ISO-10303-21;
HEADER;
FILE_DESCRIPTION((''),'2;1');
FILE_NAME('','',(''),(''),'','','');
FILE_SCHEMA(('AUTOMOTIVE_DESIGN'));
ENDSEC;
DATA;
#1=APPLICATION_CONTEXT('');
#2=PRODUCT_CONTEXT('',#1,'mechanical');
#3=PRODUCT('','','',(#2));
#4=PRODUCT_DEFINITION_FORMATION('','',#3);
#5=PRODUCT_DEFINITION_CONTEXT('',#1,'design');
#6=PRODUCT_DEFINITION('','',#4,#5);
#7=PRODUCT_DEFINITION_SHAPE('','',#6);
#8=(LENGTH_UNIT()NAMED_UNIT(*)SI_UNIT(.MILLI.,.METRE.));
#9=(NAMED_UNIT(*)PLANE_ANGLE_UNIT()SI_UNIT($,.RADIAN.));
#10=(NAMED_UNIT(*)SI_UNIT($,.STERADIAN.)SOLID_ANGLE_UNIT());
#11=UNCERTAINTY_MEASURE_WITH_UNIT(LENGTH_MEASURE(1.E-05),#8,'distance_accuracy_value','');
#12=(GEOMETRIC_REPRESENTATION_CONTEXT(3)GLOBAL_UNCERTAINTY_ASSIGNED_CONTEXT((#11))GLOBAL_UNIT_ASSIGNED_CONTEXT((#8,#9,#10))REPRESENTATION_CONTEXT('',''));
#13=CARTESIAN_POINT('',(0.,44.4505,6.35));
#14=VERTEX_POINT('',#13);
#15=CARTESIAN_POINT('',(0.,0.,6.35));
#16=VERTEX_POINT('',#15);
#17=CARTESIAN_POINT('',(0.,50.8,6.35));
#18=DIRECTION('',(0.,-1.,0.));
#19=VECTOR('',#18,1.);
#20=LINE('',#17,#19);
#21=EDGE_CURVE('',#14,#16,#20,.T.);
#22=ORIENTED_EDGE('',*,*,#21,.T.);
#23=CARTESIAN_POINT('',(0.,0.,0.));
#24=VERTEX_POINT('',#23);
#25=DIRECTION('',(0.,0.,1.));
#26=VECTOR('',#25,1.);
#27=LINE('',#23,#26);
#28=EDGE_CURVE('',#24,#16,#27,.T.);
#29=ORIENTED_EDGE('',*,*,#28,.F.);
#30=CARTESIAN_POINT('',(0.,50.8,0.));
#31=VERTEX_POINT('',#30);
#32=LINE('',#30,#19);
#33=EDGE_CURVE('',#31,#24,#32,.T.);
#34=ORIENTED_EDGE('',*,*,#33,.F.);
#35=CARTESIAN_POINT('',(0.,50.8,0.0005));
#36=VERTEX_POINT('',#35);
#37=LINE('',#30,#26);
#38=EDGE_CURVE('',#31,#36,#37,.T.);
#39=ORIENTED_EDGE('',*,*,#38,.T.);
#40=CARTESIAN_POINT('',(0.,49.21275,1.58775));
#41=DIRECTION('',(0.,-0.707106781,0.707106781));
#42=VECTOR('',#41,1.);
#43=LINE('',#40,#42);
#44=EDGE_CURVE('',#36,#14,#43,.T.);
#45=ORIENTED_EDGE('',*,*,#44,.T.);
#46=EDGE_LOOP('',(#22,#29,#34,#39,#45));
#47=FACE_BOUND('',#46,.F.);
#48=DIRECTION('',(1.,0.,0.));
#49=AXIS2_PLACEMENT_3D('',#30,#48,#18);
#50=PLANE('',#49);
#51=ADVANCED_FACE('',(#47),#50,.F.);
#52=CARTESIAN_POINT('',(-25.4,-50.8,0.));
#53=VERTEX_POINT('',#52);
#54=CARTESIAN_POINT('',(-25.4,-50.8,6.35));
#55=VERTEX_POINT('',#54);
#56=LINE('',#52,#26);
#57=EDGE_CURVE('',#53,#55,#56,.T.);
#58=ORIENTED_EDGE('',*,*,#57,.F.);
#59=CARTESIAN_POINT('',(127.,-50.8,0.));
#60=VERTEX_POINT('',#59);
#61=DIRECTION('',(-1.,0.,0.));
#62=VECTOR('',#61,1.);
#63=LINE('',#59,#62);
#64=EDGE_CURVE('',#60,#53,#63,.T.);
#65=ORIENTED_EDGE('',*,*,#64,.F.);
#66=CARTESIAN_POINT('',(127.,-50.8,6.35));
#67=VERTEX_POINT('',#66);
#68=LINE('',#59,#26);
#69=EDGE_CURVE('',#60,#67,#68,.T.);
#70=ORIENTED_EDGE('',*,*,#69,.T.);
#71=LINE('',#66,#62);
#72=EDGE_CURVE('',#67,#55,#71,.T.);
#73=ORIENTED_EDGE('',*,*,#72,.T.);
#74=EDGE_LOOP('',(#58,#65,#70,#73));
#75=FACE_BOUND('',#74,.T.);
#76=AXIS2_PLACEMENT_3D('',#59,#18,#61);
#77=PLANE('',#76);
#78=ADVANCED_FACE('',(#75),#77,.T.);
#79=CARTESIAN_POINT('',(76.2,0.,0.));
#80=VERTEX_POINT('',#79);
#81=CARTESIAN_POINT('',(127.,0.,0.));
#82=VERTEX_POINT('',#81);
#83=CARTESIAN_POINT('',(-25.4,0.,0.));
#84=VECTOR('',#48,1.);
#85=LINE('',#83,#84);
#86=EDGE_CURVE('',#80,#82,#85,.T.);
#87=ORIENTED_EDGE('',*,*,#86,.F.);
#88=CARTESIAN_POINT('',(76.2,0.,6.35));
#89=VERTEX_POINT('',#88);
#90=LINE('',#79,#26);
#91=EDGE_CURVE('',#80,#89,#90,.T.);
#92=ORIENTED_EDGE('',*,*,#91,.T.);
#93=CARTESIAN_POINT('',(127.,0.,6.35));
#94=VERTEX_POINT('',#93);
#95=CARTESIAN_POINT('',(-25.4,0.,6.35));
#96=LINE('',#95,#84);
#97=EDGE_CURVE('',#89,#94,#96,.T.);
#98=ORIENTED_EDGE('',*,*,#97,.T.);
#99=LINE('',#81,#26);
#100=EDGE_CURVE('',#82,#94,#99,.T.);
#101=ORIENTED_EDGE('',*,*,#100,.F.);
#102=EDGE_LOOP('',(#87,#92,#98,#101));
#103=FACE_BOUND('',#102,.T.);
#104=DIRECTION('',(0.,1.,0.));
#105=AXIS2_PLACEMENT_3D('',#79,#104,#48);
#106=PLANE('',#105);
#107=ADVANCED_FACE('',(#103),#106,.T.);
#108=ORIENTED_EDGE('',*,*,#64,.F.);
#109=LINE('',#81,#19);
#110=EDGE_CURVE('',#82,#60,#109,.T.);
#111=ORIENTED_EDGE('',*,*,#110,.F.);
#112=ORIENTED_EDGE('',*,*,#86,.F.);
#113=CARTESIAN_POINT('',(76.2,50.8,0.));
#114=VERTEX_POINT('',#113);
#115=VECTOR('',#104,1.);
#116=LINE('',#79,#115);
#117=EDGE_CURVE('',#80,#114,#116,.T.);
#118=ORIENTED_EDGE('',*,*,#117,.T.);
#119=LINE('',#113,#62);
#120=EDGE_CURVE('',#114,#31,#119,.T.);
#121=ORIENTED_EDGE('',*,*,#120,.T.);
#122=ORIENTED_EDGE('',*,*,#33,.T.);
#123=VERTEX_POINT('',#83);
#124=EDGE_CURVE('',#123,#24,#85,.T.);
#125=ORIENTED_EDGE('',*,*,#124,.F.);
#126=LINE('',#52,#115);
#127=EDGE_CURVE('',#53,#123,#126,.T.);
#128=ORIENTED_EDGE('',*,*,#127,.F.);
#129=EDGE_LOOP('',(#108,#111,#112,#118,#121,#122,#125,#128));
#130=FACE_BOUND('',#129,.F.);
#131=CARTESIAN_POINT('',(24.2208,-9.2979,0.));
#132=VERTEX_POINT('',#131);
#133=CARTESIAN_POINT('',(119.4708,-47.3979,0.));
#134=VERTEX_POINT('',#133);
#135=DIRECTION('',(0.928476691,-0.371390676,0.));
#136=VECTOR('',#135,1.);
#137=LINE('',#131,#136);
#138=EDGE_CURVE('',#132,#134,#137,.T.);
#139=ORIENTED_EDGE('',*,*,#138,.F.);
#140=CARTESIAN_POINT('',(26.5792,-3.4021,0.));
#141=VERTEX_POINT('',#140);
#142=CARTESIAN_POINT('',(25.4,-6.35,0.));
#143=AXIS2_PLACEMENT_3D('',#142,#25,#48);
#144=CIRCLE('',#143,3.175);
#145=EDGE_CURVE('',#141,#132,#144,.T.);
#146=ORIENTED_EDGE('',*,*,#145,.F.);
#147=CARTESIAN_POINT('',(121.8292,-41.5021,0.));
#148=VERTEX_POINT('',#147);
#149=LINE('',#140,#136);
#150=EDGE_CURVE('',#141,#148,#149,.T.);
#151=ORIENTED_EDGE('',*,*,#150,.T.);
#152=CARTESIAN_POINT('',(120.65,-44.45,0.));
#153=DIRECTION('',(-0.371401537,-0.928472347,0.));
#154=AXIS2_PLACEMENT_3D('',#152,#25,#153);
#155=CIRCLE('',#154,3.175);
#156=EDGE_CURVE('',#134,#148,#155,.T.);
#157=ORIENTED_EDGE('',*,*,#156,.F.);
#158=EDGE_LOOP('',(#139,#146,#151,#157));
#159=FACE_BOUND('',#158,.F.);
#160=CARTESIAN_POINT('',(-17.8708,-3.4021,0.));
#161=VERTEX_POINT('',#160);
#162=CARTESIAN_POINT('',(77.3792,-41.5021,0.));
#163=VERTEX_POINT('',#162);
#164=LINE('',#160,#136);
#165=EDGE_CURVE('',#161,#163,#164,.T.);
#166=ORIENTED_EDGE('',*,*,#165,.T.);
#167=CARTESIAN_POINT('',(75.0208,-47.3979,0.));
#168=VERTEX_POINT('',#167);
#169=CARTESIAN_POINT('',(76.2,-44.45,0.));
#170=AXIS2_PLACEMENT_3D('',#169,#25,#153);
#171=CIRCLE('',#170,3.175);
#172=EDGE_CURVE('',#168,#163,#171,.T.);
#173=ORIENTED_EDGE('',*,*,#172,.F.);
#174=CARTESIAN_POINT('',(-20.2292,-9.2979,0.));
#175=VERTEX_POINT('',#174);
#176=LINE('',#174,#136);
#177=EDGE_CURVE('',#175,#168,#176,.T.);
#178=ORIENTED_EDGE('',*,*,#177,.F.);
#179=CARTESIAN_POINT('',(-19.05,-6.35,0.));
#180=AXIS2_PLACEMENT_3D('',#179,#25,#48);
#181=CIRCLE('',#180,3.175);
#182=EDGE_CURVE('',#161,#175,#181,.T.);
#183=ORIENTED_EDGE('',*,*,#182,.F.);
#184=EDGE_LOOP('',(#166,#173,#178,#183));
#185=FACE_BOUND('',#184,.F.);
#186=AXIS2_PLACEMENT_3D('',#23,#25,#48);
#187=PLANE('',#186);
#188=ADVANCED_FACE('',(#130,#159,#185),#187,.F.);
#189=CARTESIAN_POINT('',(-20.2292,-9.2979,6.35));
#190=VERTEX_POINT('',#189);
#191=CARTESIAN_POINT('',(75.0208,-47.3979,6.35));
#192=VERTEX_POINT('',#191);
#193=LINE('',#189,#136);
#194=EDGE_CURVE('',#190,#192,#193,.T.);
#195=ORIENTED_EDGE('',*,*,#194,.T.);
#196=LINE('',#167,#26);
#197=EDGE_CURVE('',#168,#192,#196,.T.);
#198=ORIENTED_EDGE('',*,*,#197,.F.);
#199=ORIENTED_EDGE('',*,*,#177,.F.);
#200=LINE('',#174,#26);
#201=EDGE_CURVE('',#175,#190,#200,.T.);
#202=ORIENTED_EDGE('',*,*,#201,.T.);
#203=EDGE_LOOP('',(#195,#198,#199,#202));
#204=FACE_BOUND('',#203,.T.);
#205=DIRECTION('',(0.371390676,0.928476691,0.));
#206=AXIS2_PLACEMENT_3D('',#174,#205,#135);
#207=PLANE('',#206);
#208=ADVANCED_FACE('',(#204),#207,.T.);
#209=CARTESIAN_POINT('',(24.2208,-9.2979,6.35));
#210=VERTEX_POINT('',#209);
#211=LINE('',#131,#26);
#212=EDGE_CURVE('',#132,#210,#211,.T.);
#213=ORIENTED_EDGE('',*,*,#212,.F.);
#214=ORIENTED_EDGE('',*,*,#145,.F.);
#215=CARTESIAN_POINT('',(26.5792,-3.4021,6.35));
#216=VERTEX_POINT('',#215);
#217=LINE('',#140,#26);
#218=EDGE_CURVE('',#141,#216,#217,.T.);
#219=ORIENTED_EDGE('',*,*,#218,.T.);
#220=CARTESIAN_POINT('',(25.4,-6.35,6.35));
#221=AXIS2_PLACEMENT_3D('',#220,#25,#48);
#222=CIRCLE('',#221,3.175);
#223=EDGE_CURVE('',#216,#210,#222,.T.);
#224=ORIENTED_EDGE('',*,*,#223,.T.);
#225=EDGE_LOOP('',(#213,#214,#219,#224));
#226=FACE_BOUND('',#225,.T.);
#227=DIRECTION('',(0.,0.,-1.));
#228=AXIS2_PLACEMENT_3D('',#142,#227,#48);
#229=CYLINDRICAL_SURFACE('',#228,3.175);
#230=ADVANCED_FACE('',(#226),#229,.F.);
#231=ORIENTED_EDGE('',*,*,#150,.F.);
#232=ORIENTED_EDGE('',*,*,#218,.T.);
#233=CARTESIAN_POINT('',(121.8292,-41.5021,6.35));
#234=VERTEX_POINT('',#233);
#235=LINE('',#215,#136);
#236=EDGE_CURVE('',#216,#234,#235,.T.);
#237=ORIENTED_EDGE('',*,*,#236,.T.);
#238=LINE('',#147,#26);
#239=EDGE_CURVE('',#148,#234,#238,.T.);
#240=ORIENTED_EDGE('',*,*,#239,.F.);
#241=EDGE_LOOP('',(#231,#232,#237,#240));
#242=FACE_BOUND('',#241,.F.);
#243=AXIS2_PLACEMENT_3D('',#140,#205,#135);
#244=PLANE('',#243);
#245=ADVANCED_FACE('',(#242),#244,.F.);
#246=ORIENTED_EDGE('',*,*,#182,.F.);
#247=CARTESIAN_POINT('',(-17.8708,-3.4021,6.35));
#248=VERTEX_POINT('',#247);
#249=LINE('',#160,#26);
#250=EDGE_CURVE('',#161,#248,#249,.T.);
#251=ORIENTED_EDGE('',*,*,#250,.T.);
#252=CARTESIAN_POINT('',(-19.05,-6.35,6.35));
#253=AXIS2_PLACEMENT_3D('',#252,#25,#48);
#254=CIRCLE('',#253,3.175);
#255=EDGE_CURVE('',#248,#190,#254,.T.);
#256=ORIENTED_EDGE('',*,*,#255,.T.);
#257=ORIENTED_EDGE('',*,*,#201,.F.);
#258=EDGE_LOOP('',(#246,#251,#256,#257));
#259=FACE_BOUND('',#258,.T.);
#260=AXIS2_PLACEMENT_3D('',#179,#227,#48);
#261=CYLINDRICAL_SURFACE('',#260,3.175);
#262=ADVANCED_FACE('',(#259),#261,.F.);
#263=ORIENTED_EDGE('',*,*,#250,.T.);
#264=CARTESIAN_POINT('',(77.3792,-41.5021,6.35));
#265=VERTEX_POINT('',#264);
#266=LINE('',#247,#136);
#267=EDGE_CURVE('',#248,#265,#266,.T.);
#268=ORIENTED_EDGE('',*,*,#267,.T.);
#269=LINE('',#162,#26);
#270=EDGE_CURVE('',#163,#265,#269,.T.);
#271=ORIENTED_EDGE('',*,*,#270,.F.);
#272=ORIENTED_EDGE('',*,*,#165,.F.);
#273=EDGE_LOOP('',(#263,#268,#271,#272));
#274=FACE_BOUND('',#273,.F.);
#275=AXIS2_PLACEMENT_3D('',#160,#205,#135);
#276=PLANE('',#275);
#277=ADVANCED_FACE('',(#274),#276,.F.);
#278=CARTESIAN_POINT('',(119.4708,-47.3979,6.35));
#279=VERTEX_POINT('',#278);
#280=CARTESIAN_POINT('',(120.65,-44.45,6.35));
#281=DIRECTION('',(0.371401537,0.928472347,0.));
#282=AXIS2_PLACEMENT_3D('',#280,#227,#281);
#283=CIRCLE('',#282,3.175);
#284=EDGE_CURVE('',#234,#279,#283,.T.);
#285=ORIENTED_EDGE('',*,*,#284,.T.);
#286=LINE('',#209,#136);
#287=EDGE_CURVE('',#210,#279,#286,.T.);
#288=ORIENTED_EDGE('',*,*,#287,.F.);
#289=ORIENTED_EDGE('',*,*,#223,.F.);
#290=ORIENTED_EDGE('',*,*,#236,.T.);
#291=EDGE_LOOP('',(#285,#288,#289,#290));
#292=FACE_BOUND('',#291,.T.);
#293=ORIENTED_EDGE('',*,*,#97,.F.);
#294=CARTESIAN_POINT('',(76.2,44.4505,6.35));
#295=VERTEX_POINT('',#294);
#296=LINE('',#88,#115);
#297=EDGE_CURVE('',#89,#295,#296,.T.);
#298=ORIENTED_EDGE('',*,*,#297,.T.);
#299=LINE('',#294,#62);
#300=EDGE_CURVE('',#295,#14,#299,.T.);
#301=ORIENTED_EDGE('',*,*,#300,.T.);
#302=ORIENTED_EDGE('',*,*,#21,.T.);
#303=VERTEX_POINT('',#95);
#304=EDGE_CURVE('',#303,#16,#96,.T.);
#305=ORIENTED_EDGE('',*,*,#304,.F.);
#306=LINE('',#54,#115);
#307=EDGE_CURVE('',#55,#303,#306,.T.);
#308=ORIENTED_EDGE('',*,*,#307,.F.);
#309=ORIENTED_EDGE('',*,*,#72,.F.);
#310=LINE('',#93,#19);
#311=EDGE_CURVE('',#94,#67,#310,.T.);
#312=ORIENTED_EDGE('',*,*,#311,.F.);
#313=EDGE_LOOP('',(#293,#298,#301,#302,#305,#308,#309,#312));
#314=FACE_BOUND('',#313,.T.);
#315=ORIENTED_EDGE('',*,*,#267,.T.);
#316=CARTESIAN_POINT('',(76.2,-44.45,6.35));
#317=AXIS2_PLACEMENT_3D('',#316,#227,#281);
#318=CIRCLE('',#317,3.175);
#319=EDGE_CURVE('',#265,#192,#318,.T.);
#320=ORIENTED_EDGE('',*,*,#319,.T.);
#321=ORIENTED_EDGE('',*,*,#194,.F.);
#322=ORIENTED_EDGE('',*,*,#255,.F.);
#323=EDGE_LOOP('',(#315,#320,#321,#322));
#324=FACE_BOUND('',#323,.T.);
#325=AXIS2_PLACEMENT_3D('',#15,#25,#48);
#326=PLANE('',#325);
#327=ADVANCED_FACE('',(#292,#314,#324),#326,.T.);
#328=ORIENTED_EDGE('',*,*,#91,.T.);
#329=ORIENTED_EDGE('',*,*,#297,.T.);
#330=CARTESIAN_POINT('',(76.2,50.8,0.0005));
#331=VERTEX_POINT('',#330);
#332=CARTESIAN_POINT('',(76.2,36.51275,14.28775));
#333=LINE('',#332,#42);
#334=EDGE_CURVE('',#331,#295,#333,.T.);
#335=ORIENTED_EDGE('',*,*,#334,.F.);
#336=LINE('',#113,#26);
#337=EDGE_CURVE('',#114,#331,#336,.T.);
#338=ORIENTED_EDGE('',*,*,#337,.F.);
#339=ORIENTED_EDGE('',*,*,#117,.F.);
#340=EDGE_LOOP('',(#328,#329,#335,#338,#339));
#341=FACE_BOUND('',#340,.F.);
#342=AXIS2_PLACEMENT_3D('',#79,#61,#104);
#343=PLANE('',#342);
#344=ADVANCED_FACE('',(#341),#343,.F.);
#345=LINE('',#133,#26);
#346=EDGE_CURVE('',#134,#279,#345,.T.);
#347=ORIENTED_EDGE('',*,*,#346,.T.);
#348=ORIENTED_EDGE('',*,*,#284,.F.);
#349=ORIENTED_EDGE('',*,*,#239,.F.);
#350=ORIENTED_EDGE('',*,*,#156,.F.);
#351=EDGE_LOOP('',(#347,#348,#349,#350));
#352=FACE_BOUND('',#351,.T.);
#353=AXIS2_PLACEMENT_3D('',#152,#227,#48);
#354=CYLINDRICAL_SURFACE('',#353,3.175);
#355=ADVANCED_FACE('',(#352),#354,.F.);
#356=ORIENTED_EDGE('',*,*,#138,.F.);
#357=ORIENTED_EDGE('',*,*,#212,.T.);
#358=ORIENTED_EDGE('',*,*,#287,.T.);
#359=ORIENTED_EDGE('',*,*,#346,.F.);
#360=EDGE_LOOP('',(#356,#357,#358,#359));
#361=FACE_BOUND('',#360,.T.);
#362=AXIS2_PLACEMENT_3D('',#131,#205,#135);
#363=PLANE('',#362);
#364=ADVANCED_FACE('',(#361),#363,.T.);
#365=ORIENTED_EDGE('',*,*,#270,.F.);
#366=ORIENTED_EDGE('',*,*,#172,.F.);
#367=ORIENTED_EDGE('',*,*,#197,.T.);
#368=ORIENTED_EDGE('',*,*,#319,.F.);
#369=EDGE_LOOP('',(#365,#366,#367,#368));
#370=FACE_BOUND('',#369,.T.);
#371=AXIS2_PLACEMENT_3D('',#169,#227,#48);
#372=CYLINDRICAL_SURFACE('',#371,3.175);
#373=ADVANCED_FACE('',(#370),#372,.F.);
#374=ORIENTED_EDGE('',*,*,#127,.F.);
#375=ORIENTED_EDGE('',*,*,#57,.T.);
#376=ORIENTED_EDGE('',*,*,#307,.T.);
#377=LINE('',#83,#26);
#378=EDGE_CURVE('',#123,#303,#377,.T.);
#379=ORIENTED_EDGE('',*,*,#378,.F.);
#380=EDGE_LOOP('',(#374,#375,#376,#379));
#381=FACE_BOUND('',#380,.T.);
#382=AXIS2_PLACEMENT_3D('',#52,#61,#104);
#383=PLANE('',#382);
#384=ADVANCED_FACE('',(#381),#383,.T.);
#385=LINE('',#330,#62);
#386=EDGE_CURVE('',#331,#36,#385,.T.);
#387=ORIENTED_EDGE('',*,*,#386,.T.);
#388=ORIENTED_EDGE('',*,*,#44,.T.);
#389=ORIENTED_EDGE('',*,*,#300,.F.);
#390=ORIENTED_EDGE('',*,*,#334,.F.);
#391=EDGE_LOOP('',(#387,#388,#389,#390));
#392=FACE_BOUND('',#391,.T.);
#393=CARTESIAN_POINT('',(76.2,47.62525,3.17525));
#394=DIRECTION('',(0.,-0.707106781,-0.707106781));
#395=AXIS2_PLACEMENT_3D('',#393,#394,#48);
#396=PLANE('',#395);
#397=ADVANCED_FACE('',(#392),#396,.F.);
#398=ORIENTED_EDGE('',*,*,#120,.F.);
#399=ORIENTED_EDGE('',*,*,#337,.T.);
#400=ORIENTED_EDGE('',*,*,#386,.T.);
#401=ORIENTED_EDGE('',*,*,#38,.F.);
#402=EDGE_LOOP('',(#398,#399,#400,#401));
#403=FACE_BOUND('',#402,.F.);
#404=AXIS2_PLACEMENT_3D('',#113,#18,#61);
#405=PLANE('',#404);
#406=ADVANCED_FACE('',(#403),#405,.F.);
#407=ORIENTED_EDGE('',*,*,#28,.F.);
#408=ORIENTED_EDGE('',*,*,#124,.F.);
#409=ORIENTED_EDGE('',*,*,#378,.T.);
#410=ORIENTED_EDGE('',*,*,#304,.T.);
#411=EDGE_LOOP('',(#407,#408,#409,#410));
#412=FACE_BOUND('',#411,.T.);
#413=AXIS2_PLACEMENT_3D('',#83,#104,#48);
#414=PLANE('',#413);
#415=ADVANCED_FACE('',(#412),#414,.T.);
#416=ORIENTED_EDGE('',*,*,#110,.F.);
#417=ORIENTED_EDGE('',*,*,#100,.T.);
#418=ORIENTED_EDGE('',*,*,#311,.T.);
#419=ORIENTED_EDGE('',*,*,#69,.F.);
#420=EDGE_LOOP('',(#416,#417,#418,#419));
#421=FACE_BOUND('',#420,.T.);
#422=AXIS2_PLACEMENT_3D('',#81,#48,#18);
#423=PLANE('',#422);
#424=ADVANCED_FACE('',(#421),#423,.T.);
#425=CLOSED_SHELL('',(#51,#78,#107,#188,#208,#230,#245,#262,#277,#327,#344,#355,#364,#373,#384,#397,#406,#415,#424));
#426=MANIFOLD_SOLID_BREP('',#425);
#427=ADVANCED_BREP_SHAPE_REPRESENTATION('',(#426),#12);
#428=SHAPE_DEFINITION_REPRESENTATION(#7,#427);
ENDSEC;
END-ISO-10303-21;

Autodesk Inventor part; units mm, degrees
ref_plane "YZ Plane" through (0, 0, 0) normal (1, 0, 0) x (0, 1, 0)
ref_plane "XZ Plane" through (0, 0, 0) normal (0, 1, 0) x (-1, 0, 0)
ref_plane "XY Plane" through (0, 0, 0) normal (0, 0, 1) x (1, 0, 0)
sketch "Sketch2" plane through (0, 0, 0) normal (0, 0, 1) x (1, 0, 0)
  line L0 (0, 0) -> (76.2, 0)
  line L1 (76.2, 0) -> (76.2, 50.8)
  line L2 (76.2, 50.8) -> (0, 50.8)
  line L3 (0, 50.8) -> (0, 0)
  line L4 (-25.4, 0) -> (127, 0)
  line L5 (127, 0) -> (127, -50.8)
  line L6 (127, -50.8) -> (-25.4, -50.8)
  line L7 (-25.4, -50.8) -> (-25.4, 0)
  circle A0 centre (-19.05, -6.35) radius 3.175
  circle A1 centre (76.2, -44.45) radius 3.175
  line L8 (-17.8708, -3.4021) -> (77.3792, -41.5021)
  line L9 (-20.2292, -9.2979) -> (75.0208, -47.3979)
  circle A2 centre (25.4, -6.35) radius 3.175
  circle A3 centre (120.65, -44.45) radius 3.175
  line L10 (26.5792, -3.4021) -> (121.8292, -41.5021)
  line L11 (24.2208, -9.2979) -> (119.4708, -47.3979)
  dimension "d0" = 76.2
  dimension "d1" = 50.8
  dimension "d2" = 152.4
  dimension "d3" = 50.8
  dimension "d4" = 25.4
  dimension "d5" = 6.35
  dimension "d6" = 6.35
  dimension "d7" = 6.35
  dimension "d8" = 6.35
  dimension "d9" = 6.35
  dimension "d10" = 6.35
  dimension "d11" = 6.35
  dimension "d12" = 6.35
extrude "Extrusion1" add sketch "Sketch2" along normal blind 6.35
chamfer "Chamfer1" distance 6.35 angle 45 1 edges at (38.1, 50.8, 6.35)
properties part number "Short Wall Lift"
